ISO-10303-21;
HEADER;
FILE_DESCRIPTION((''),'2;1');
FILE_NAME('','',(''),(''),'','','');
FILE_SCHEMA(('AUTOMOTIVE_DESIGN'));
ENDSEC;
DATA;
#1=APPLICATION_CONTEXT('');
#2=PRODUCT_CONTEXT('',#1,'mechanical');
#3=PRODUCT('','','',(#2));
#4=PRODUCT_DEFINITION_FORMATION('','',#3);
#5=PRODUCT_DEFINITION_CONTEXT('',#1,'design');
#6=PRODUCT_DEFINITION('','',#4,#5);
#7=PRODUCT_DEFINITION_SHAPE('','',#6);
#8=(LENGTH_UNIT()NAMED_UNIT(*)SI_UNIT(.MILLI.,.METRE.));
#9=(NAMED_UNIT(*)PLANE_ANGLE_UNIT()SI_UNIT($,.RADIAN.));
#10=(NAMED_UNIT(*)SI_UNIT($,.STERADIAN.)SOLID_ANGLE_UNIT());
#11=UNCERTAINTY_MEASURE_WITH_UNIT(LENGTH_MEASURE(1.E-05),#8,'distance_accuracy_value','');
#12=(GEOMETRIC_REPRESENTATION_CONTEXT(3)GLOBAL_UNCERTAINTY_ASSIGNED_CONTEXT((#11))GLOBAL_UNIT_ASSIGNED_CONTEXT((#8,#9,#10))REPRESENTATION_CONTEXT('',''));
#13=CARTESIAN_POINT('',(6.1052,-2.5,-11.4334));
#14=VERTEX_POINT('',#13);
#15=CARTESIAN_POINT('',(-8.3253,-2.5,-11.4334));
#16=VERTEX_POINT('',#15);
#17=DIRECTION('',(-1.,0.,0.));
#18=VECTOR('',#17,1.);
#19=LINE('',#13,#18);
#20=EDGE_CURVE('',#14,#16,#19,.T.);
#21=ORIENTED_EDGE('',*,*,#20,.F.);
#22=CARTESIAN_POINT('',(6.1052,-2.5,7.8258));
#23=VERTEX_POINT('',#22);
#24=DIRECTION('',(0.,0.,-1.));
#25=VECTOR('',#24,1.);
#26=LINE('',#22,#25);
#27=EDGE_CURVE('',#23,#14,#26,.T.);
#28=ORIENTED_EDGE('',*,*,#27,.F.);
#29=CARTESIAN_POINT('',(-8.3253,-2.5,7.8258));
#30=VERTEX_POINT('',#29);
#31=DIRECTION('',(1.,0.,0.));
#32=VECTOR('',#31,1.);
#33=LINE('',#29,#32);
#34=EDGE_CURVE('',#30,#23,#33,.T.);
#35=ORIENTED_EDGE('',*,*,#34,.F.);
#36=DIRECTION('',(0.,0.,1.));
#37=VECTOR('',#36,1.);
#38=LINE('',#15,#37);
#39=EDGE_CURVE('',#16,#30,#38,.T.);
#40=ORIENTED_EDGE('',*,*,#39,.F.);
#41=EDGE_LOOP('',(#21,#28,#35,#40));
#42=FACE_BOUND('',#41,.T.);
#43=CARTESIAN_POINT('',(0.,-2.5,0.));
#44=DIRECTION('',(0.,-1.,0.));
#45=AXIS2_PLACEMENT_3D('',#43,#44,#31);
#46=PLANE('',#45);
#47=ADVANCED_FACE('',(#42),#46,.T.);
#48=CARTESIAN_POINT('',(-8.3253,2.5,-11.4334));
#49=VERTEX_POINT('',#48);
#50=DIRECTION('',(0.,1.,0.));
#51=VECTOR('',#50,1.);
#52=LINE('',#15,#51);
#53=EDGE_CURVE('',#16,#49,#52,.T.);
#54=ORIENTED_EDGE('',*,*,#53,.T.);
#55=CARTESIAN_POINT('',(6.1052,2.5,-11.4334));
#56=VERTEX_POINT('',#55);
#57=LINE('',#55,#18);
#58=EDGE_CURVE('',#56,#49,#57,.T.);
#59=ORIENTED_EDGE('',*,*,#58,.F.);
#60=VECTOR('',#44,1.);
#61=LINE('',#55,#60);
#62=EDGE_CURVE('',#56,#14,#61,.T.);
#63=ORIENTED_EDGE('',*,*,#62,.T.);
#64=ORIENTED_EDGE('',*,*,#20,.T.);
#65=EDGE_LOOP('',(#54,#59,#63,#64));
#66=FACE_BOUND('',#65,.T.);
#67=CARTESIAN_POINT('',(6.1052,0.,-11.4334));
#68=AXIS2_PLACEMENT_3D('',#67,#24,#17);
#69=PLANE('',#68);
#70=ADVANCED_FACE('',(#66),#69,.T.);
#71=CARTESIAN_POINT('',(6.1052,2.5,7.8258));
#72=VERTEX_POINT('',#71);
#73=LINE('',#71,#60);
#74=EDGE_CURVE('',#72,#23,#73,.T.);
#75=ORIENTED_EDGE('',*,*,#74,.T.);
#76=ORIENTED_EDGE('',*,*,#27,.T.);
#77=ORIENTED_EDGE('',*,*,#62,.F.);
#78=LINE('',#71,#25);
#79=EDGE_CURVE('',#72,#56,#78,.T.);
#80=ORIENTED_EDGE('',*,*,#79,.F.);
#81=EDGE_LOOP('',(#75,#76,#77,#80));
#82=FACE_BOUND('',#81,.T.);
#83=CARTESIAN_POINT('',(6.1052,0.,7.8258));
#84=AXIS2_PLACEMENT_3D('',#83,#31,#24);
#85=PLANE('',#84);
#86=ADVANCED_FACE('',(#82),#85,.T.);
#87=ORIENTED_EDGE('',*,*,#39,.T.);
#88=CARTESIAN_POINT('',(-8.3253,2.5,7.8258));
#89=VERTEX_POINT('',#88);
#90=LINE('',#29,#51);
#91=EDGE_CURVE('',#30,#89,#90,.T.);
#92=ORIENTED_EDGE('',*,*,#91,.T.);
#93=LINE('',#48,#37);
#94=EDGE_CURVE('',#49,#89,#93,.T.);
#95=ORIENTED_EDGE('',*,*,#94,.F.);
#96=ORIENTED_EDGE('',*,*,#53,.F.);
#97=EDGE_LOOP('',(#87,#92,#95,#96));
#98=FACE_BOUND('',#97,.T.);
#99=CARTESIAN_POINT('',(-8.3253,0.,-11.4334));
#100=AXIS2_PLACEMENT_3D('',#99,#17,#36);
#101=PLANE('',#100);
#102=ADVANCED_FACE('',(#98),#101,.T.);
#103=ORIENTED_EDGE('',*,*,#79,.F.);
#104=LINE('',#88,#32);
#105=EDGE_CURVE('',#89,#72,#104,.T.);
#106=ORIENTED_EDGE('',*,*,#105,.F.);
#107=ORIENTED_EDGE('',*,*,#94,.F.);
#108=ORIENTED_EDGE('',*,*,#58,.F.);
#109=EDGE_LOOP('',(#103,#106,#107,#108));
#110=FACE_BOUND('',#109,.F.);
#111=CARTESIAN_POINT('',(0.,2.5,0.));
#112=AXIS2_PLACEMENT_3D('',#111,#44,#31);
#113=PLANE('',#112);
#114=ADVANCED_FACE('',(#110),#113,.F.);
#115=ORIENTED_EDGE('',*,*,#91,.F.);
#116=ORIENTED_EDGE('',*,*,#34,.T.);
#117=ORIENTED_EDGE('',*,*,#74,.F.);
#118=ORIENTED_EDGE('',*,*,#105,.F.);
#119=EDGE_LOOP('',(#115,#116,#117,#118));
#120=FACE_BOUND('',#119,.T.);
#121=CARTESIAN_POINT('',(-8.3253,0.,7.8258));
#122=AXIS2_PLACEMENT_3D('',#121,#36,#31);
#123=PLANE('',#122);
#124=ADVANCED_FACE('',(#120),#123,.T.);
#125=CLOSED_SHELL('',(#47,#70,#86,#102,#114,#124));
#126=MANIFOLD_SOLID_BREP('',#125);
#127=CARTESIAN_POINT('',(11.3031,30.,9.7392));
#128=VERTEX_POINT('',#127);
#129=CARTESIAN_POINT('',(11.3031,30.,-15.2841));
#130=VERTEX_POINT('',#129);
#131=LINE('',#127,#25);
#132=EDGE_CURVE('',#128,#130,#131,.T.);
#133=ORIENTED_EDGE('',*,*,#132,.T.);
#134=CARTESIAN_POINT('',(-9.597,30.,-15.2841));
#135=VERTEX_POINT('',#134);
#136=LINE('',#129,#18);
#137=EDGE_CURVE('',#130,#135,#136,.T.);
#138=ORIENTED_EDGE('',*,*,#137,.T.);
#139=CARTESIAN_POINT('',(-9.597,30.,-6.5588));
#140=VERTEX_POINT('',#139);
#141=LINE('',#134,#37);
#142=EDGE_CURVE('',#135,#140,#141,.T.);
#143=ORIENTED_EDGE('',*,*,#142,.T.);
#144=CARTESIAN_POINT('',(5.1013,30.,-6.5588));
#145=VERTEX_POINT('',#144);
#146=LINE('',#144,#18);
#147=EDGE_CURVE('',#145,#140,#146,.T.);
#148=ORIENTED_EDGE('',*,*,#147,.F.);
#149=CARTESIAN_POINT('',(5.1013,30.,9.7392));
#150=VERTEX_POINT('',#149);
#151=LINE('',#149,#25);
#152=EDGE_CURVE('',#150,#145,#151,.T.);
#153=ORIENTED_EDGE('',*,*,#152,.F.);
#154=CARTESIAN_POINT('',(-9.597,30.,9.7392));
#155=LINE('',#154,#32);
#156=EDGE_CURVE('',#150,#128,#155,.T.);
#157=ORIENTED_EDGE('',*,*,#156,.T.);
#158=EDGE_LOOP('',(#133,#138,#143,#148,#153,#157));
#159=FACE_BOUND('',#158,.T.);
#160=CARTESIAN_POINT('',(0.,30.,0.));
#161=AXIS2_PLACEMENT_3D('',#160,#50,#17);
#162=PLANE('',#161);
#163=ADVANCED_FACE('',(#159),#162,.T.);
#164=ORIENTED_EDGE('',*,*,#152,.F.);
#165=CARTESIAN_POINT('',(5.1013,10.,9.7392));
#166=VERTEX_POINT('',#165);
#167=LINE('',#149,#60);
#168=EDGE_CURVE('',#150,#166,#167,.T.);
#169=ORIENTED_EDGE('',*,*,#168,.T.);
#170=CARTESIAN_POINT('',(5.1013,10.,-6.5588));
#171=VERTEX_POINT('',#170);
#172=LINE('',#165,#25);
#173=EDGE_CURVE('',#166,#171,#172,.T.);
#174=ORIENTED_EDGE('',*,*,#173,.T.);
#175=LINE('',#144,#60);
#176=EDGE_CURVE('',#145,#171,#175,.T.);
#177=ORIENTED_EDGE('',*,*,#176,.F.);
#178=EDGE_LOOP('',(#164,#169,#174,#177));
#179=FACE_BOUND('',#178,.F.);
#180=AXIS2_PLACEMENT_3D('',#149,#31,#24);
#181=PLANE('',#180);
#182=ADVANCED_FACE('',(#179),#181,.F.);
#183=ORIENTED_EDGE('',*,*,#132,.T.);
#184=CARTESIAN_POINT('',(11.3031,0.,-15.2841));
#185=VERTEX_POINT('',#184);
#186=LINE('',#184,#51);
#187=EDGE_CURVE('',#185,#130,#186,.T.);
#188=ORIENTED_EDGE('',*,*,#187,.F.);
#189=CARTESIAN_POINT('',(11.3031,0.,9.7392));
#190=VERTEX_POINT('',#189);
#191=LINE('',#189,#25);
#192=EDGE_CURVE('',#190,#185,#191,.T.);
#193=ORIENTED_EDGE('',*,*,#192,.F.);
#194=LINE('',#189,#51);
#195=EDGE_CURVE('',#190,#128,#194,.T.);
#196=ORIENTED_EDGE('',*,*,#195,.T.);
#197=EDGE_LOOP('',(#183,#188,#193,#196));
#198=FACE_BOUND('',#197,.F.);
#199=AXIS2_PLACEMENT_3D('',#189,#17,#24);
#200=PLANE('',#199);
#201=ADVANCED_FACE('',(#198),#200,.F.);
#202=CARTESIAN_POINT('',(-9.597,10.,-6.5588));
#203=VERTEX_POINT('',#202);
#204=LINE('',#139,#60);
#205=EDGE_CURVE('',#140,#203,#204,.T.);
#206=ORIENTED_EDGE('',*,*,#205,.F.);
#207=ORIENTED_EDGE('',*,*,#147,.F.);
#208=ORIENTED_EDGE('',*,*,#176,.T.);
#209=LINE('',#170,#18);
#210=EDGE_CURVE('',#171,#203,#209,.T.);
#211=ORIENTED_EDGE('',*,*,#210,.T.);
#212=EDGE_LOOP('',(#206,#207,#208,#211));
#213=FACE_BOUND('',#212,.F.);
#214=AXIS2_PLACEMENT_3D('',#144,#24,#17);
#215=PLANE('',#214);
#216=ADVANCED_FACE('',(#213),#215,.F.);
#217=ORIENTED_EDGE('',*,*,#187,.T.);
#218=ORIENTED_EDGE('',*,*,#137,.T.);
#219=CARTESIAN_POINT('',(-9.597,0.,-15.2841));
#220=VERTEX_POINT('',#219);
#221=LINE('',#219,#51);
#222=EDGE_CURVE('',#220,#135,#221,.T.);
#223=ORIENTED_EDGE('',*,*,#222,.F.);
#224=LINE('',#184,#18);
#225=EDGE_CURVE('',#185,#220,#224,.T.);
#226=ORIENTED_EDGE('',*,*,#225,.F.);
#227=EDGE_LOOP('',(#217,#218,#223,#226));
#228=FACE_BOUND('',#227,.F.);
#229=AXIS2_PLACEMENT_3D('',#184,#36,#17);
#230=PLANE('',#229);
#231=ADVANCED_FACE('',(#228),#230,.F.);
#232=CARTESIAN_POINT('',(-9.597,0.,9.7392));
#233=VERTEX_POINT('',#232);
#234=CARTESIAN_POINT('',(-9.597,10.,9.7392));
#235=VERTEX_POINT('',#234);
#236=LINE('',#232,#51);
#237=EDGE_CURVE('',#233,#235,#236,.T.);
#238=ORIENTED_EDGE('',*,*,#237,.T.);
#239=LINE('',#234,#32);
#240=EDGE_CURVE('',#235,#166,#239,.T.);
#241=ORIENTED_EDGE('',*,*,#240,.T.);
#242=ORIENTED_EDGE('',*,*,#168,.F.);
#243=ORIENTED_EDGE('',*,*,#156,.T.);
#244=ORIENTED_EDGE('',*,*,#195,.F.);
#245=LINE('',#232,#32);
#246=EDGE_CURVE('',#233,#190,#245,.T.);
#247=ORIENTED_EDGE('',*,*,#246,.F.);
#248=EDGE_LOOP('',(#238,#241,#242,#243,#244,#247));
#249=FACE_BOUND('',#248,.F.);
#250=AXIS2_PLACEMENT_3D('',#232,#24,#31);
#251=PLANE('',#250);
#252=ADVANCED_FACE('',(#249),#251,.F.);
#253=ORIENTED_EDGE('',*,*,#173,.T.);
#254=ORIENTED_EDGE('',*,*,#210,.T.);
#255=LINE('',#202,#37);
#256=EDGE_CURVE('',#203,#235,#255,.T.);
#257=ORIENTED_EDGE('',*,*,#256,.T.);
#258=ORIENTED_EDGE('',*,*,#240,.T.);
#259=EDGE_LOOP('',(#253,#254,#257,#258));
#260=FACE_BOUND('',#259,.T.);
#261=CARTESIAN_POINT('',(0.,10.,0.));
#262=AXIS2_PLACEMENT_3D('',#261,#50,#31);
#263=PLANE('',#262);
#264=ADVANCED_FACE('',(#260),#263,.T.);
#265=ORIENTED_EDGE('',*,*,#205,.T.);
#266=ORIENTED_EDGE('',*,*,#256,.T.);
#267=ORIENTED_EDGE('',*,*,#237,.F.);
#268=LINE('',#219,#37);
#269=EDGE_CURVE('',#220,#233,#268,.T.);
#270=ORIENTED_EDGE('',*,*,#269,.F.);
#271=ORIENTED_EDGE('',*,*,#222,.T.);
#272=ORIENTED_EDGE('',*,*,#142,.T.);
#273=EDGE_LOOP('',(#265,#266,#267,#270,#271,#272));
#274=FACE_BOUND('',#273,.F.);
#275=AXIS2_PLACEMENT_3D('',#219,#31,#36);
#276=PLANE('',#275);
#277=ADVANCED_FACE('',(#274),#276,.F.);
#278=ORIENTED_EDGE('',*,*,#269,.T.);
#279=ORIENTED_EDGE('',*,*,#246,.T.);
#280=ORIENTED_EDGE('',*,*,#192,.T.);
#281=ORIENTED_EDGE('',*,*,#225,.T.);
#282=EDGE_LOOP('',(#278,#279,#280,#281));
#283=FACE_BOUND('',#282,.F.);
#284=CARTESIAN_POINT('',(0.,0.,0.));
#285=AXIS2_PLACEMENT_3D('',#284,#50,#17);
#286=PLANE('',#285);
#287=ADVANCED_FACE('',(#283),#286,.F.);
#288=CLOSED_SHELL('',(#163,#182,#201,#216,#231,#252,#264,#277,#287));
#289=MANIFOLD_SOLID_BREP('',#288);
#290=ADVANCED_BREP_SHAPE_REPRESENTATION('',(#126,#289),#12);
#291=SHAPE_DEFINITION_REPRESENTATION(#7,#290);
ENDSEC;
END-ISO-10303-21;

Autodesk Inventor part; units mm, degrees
ref_plane "YZ Plane" through (0, 0, 0) normal (1, 0, 0) x (0, 1, 0)
ref_plane "XZ Plane" through (0, 0, 0) normal (0, 1, 0) x (-1, 0, 0)
ref_plane "XY Plane" through (0, 0, 0) normal (0, 0, 1) x (1, 0, 0)
sketch "Sketch1" plane through (0, 0, 0) normal (0, 1, 0) x (-1, 0, 0)
  line L0 (9.597, 9.7392) -> (-11.3031, 9.7392)
  line L1 (-11.3031, 9.7392) -> (-11.3031, -15.2841)
  line L2 (-11.3031, -15.2841) -> (9.597, -15.2841)
  line L3 (9.597, -15.2841) -> (9.597, 9.7392)
  point P0 (0, 0)
extrude "Extrusion1" add sketch "Sketch1" along normal blind 30
sketch "Sketch2" plane through (0, 30, 0) normal (0, 1, 0) x (1, 0, 0)
  line L0 (-9.597, -9.7392) -> (11.3031, -9.7392) projected
  line L1 (-9.597, -9.7392) -> (5.1013, -9.7392)
  line L2 (5.1013, -9.7392) -> (5.1013, 6.5588)
  line L3 (5.1013, 6.5588) -> (-9.597, 6.5588)
  line L4 (-9.597, 6.5588) -> (-9.597, -9.7392)
  point P0 (0, 0)
extrude "Extrusion2" cut sketch "Sketch2" against normal blind 20
sketch "Sketch4" plane through (0, 0, 0) normal (0, -1, 0) x (1, 0, 0)
  line L0 (6.1052, -11.4334) -> (-8.3253, -11.4334)
  line L1 (-8.3253, -11.4334) -> (-8.3253, 7.8258)
  line L2 (-8.3253, 7.8258) -> (6.1052, 7.8258)
  line L3 (6.1052, 7.8258) -> (6.1052, -11.4334)
  point P0 (0, 0)
extrude "Extrusion4" add sketch "Sketch4" along normal mid plane 5 separate body
properties part number "part_a"
